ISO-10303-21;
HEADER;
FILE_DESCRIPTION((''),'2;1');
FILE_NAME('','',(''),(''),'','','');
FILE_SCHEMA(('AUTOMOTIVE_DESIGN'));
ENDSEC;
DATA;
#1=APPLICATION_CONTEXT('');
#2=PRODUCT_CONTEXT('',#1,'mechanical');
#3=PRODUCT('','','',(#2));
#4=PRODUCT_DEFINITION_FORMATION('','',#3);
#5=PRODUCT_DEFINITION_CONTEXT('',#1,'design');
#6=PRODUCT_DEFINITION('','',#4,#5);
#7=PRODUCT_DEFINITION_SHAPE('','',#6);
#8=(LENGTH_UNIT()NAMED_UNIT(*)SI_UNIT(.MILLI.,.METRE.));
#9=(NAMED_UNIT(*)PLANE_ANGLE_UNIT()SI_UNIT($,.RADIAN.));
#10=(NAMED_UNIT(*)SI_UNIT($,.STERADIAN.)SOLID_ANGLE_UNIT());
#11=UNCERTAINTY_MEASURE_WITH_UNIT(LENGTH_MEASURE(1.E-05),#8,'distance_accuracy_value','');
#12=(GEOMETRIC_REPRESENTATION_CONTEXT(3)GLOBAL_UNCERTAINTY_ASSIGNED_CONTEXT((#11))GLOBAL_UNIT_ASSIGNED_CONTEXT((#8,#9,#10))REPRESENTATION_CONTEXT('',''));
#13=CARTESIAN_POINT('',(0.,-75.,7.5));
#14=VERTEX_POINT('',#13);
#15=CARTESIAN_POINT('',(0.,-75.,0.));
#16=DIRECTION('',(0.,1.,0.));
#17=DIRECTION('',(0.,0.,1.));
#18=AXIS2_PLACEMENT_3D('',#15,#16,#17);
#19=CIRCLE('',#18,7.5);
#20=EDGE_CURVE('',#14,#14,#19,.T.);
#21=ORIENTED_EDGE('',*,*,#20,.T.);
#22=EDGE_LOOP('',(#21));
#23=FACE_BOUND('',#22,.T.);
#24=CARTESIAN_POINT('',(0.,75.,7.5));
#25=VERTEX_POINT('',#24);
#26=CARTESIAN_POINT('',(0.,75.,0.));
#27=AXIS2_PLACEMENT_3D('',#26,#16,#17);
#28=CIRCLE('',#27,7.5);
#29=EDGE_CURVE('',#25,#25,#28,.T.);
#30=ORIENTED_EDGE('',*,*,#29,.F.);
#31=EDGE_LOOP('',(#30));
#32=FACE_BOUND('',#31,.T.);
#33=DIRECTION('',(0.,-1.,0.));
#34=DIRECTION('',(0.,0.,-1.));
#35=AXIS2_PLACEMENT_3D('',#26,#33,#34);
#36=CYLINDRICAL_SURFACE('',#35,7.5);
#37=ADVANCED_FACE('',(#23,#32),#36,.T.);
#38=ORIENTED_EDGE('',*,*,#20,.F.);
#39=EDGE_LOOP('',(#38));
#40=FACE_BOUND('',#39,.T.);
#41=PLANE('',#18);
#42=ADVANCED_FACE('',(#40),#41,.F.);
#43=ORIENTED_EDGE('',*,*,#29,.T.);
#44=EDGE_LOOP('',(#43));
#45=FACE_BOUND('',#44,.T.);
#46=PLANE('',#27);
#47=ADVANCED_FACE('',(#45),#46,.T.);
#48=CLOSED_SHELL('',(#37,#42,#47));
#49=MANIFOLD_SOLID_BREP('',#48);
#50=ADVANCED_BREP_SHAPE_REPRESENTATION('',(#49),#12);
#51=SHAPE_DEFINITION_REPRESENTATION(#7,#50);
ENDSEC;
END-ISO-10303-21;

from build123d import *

# Parameters (mm, degrees)
SKETCH1_R           = 7.5
BOSS_EXTRUDE1_DEPTH = 75


with BuildPart() as part:
    # Sketch1 → Boss-Extrude1 (new body, symmetric)
    with BuildSketch(Plane(origin=(0, 0, 0), x_dir=(1, 0, 0), z_dir=(0, 1, 0))):
        Circle(SKETCH1_R)
    extrude(amount=BOSS_EXTRUDE1_DEPTH, both=True)


solid = part.part
